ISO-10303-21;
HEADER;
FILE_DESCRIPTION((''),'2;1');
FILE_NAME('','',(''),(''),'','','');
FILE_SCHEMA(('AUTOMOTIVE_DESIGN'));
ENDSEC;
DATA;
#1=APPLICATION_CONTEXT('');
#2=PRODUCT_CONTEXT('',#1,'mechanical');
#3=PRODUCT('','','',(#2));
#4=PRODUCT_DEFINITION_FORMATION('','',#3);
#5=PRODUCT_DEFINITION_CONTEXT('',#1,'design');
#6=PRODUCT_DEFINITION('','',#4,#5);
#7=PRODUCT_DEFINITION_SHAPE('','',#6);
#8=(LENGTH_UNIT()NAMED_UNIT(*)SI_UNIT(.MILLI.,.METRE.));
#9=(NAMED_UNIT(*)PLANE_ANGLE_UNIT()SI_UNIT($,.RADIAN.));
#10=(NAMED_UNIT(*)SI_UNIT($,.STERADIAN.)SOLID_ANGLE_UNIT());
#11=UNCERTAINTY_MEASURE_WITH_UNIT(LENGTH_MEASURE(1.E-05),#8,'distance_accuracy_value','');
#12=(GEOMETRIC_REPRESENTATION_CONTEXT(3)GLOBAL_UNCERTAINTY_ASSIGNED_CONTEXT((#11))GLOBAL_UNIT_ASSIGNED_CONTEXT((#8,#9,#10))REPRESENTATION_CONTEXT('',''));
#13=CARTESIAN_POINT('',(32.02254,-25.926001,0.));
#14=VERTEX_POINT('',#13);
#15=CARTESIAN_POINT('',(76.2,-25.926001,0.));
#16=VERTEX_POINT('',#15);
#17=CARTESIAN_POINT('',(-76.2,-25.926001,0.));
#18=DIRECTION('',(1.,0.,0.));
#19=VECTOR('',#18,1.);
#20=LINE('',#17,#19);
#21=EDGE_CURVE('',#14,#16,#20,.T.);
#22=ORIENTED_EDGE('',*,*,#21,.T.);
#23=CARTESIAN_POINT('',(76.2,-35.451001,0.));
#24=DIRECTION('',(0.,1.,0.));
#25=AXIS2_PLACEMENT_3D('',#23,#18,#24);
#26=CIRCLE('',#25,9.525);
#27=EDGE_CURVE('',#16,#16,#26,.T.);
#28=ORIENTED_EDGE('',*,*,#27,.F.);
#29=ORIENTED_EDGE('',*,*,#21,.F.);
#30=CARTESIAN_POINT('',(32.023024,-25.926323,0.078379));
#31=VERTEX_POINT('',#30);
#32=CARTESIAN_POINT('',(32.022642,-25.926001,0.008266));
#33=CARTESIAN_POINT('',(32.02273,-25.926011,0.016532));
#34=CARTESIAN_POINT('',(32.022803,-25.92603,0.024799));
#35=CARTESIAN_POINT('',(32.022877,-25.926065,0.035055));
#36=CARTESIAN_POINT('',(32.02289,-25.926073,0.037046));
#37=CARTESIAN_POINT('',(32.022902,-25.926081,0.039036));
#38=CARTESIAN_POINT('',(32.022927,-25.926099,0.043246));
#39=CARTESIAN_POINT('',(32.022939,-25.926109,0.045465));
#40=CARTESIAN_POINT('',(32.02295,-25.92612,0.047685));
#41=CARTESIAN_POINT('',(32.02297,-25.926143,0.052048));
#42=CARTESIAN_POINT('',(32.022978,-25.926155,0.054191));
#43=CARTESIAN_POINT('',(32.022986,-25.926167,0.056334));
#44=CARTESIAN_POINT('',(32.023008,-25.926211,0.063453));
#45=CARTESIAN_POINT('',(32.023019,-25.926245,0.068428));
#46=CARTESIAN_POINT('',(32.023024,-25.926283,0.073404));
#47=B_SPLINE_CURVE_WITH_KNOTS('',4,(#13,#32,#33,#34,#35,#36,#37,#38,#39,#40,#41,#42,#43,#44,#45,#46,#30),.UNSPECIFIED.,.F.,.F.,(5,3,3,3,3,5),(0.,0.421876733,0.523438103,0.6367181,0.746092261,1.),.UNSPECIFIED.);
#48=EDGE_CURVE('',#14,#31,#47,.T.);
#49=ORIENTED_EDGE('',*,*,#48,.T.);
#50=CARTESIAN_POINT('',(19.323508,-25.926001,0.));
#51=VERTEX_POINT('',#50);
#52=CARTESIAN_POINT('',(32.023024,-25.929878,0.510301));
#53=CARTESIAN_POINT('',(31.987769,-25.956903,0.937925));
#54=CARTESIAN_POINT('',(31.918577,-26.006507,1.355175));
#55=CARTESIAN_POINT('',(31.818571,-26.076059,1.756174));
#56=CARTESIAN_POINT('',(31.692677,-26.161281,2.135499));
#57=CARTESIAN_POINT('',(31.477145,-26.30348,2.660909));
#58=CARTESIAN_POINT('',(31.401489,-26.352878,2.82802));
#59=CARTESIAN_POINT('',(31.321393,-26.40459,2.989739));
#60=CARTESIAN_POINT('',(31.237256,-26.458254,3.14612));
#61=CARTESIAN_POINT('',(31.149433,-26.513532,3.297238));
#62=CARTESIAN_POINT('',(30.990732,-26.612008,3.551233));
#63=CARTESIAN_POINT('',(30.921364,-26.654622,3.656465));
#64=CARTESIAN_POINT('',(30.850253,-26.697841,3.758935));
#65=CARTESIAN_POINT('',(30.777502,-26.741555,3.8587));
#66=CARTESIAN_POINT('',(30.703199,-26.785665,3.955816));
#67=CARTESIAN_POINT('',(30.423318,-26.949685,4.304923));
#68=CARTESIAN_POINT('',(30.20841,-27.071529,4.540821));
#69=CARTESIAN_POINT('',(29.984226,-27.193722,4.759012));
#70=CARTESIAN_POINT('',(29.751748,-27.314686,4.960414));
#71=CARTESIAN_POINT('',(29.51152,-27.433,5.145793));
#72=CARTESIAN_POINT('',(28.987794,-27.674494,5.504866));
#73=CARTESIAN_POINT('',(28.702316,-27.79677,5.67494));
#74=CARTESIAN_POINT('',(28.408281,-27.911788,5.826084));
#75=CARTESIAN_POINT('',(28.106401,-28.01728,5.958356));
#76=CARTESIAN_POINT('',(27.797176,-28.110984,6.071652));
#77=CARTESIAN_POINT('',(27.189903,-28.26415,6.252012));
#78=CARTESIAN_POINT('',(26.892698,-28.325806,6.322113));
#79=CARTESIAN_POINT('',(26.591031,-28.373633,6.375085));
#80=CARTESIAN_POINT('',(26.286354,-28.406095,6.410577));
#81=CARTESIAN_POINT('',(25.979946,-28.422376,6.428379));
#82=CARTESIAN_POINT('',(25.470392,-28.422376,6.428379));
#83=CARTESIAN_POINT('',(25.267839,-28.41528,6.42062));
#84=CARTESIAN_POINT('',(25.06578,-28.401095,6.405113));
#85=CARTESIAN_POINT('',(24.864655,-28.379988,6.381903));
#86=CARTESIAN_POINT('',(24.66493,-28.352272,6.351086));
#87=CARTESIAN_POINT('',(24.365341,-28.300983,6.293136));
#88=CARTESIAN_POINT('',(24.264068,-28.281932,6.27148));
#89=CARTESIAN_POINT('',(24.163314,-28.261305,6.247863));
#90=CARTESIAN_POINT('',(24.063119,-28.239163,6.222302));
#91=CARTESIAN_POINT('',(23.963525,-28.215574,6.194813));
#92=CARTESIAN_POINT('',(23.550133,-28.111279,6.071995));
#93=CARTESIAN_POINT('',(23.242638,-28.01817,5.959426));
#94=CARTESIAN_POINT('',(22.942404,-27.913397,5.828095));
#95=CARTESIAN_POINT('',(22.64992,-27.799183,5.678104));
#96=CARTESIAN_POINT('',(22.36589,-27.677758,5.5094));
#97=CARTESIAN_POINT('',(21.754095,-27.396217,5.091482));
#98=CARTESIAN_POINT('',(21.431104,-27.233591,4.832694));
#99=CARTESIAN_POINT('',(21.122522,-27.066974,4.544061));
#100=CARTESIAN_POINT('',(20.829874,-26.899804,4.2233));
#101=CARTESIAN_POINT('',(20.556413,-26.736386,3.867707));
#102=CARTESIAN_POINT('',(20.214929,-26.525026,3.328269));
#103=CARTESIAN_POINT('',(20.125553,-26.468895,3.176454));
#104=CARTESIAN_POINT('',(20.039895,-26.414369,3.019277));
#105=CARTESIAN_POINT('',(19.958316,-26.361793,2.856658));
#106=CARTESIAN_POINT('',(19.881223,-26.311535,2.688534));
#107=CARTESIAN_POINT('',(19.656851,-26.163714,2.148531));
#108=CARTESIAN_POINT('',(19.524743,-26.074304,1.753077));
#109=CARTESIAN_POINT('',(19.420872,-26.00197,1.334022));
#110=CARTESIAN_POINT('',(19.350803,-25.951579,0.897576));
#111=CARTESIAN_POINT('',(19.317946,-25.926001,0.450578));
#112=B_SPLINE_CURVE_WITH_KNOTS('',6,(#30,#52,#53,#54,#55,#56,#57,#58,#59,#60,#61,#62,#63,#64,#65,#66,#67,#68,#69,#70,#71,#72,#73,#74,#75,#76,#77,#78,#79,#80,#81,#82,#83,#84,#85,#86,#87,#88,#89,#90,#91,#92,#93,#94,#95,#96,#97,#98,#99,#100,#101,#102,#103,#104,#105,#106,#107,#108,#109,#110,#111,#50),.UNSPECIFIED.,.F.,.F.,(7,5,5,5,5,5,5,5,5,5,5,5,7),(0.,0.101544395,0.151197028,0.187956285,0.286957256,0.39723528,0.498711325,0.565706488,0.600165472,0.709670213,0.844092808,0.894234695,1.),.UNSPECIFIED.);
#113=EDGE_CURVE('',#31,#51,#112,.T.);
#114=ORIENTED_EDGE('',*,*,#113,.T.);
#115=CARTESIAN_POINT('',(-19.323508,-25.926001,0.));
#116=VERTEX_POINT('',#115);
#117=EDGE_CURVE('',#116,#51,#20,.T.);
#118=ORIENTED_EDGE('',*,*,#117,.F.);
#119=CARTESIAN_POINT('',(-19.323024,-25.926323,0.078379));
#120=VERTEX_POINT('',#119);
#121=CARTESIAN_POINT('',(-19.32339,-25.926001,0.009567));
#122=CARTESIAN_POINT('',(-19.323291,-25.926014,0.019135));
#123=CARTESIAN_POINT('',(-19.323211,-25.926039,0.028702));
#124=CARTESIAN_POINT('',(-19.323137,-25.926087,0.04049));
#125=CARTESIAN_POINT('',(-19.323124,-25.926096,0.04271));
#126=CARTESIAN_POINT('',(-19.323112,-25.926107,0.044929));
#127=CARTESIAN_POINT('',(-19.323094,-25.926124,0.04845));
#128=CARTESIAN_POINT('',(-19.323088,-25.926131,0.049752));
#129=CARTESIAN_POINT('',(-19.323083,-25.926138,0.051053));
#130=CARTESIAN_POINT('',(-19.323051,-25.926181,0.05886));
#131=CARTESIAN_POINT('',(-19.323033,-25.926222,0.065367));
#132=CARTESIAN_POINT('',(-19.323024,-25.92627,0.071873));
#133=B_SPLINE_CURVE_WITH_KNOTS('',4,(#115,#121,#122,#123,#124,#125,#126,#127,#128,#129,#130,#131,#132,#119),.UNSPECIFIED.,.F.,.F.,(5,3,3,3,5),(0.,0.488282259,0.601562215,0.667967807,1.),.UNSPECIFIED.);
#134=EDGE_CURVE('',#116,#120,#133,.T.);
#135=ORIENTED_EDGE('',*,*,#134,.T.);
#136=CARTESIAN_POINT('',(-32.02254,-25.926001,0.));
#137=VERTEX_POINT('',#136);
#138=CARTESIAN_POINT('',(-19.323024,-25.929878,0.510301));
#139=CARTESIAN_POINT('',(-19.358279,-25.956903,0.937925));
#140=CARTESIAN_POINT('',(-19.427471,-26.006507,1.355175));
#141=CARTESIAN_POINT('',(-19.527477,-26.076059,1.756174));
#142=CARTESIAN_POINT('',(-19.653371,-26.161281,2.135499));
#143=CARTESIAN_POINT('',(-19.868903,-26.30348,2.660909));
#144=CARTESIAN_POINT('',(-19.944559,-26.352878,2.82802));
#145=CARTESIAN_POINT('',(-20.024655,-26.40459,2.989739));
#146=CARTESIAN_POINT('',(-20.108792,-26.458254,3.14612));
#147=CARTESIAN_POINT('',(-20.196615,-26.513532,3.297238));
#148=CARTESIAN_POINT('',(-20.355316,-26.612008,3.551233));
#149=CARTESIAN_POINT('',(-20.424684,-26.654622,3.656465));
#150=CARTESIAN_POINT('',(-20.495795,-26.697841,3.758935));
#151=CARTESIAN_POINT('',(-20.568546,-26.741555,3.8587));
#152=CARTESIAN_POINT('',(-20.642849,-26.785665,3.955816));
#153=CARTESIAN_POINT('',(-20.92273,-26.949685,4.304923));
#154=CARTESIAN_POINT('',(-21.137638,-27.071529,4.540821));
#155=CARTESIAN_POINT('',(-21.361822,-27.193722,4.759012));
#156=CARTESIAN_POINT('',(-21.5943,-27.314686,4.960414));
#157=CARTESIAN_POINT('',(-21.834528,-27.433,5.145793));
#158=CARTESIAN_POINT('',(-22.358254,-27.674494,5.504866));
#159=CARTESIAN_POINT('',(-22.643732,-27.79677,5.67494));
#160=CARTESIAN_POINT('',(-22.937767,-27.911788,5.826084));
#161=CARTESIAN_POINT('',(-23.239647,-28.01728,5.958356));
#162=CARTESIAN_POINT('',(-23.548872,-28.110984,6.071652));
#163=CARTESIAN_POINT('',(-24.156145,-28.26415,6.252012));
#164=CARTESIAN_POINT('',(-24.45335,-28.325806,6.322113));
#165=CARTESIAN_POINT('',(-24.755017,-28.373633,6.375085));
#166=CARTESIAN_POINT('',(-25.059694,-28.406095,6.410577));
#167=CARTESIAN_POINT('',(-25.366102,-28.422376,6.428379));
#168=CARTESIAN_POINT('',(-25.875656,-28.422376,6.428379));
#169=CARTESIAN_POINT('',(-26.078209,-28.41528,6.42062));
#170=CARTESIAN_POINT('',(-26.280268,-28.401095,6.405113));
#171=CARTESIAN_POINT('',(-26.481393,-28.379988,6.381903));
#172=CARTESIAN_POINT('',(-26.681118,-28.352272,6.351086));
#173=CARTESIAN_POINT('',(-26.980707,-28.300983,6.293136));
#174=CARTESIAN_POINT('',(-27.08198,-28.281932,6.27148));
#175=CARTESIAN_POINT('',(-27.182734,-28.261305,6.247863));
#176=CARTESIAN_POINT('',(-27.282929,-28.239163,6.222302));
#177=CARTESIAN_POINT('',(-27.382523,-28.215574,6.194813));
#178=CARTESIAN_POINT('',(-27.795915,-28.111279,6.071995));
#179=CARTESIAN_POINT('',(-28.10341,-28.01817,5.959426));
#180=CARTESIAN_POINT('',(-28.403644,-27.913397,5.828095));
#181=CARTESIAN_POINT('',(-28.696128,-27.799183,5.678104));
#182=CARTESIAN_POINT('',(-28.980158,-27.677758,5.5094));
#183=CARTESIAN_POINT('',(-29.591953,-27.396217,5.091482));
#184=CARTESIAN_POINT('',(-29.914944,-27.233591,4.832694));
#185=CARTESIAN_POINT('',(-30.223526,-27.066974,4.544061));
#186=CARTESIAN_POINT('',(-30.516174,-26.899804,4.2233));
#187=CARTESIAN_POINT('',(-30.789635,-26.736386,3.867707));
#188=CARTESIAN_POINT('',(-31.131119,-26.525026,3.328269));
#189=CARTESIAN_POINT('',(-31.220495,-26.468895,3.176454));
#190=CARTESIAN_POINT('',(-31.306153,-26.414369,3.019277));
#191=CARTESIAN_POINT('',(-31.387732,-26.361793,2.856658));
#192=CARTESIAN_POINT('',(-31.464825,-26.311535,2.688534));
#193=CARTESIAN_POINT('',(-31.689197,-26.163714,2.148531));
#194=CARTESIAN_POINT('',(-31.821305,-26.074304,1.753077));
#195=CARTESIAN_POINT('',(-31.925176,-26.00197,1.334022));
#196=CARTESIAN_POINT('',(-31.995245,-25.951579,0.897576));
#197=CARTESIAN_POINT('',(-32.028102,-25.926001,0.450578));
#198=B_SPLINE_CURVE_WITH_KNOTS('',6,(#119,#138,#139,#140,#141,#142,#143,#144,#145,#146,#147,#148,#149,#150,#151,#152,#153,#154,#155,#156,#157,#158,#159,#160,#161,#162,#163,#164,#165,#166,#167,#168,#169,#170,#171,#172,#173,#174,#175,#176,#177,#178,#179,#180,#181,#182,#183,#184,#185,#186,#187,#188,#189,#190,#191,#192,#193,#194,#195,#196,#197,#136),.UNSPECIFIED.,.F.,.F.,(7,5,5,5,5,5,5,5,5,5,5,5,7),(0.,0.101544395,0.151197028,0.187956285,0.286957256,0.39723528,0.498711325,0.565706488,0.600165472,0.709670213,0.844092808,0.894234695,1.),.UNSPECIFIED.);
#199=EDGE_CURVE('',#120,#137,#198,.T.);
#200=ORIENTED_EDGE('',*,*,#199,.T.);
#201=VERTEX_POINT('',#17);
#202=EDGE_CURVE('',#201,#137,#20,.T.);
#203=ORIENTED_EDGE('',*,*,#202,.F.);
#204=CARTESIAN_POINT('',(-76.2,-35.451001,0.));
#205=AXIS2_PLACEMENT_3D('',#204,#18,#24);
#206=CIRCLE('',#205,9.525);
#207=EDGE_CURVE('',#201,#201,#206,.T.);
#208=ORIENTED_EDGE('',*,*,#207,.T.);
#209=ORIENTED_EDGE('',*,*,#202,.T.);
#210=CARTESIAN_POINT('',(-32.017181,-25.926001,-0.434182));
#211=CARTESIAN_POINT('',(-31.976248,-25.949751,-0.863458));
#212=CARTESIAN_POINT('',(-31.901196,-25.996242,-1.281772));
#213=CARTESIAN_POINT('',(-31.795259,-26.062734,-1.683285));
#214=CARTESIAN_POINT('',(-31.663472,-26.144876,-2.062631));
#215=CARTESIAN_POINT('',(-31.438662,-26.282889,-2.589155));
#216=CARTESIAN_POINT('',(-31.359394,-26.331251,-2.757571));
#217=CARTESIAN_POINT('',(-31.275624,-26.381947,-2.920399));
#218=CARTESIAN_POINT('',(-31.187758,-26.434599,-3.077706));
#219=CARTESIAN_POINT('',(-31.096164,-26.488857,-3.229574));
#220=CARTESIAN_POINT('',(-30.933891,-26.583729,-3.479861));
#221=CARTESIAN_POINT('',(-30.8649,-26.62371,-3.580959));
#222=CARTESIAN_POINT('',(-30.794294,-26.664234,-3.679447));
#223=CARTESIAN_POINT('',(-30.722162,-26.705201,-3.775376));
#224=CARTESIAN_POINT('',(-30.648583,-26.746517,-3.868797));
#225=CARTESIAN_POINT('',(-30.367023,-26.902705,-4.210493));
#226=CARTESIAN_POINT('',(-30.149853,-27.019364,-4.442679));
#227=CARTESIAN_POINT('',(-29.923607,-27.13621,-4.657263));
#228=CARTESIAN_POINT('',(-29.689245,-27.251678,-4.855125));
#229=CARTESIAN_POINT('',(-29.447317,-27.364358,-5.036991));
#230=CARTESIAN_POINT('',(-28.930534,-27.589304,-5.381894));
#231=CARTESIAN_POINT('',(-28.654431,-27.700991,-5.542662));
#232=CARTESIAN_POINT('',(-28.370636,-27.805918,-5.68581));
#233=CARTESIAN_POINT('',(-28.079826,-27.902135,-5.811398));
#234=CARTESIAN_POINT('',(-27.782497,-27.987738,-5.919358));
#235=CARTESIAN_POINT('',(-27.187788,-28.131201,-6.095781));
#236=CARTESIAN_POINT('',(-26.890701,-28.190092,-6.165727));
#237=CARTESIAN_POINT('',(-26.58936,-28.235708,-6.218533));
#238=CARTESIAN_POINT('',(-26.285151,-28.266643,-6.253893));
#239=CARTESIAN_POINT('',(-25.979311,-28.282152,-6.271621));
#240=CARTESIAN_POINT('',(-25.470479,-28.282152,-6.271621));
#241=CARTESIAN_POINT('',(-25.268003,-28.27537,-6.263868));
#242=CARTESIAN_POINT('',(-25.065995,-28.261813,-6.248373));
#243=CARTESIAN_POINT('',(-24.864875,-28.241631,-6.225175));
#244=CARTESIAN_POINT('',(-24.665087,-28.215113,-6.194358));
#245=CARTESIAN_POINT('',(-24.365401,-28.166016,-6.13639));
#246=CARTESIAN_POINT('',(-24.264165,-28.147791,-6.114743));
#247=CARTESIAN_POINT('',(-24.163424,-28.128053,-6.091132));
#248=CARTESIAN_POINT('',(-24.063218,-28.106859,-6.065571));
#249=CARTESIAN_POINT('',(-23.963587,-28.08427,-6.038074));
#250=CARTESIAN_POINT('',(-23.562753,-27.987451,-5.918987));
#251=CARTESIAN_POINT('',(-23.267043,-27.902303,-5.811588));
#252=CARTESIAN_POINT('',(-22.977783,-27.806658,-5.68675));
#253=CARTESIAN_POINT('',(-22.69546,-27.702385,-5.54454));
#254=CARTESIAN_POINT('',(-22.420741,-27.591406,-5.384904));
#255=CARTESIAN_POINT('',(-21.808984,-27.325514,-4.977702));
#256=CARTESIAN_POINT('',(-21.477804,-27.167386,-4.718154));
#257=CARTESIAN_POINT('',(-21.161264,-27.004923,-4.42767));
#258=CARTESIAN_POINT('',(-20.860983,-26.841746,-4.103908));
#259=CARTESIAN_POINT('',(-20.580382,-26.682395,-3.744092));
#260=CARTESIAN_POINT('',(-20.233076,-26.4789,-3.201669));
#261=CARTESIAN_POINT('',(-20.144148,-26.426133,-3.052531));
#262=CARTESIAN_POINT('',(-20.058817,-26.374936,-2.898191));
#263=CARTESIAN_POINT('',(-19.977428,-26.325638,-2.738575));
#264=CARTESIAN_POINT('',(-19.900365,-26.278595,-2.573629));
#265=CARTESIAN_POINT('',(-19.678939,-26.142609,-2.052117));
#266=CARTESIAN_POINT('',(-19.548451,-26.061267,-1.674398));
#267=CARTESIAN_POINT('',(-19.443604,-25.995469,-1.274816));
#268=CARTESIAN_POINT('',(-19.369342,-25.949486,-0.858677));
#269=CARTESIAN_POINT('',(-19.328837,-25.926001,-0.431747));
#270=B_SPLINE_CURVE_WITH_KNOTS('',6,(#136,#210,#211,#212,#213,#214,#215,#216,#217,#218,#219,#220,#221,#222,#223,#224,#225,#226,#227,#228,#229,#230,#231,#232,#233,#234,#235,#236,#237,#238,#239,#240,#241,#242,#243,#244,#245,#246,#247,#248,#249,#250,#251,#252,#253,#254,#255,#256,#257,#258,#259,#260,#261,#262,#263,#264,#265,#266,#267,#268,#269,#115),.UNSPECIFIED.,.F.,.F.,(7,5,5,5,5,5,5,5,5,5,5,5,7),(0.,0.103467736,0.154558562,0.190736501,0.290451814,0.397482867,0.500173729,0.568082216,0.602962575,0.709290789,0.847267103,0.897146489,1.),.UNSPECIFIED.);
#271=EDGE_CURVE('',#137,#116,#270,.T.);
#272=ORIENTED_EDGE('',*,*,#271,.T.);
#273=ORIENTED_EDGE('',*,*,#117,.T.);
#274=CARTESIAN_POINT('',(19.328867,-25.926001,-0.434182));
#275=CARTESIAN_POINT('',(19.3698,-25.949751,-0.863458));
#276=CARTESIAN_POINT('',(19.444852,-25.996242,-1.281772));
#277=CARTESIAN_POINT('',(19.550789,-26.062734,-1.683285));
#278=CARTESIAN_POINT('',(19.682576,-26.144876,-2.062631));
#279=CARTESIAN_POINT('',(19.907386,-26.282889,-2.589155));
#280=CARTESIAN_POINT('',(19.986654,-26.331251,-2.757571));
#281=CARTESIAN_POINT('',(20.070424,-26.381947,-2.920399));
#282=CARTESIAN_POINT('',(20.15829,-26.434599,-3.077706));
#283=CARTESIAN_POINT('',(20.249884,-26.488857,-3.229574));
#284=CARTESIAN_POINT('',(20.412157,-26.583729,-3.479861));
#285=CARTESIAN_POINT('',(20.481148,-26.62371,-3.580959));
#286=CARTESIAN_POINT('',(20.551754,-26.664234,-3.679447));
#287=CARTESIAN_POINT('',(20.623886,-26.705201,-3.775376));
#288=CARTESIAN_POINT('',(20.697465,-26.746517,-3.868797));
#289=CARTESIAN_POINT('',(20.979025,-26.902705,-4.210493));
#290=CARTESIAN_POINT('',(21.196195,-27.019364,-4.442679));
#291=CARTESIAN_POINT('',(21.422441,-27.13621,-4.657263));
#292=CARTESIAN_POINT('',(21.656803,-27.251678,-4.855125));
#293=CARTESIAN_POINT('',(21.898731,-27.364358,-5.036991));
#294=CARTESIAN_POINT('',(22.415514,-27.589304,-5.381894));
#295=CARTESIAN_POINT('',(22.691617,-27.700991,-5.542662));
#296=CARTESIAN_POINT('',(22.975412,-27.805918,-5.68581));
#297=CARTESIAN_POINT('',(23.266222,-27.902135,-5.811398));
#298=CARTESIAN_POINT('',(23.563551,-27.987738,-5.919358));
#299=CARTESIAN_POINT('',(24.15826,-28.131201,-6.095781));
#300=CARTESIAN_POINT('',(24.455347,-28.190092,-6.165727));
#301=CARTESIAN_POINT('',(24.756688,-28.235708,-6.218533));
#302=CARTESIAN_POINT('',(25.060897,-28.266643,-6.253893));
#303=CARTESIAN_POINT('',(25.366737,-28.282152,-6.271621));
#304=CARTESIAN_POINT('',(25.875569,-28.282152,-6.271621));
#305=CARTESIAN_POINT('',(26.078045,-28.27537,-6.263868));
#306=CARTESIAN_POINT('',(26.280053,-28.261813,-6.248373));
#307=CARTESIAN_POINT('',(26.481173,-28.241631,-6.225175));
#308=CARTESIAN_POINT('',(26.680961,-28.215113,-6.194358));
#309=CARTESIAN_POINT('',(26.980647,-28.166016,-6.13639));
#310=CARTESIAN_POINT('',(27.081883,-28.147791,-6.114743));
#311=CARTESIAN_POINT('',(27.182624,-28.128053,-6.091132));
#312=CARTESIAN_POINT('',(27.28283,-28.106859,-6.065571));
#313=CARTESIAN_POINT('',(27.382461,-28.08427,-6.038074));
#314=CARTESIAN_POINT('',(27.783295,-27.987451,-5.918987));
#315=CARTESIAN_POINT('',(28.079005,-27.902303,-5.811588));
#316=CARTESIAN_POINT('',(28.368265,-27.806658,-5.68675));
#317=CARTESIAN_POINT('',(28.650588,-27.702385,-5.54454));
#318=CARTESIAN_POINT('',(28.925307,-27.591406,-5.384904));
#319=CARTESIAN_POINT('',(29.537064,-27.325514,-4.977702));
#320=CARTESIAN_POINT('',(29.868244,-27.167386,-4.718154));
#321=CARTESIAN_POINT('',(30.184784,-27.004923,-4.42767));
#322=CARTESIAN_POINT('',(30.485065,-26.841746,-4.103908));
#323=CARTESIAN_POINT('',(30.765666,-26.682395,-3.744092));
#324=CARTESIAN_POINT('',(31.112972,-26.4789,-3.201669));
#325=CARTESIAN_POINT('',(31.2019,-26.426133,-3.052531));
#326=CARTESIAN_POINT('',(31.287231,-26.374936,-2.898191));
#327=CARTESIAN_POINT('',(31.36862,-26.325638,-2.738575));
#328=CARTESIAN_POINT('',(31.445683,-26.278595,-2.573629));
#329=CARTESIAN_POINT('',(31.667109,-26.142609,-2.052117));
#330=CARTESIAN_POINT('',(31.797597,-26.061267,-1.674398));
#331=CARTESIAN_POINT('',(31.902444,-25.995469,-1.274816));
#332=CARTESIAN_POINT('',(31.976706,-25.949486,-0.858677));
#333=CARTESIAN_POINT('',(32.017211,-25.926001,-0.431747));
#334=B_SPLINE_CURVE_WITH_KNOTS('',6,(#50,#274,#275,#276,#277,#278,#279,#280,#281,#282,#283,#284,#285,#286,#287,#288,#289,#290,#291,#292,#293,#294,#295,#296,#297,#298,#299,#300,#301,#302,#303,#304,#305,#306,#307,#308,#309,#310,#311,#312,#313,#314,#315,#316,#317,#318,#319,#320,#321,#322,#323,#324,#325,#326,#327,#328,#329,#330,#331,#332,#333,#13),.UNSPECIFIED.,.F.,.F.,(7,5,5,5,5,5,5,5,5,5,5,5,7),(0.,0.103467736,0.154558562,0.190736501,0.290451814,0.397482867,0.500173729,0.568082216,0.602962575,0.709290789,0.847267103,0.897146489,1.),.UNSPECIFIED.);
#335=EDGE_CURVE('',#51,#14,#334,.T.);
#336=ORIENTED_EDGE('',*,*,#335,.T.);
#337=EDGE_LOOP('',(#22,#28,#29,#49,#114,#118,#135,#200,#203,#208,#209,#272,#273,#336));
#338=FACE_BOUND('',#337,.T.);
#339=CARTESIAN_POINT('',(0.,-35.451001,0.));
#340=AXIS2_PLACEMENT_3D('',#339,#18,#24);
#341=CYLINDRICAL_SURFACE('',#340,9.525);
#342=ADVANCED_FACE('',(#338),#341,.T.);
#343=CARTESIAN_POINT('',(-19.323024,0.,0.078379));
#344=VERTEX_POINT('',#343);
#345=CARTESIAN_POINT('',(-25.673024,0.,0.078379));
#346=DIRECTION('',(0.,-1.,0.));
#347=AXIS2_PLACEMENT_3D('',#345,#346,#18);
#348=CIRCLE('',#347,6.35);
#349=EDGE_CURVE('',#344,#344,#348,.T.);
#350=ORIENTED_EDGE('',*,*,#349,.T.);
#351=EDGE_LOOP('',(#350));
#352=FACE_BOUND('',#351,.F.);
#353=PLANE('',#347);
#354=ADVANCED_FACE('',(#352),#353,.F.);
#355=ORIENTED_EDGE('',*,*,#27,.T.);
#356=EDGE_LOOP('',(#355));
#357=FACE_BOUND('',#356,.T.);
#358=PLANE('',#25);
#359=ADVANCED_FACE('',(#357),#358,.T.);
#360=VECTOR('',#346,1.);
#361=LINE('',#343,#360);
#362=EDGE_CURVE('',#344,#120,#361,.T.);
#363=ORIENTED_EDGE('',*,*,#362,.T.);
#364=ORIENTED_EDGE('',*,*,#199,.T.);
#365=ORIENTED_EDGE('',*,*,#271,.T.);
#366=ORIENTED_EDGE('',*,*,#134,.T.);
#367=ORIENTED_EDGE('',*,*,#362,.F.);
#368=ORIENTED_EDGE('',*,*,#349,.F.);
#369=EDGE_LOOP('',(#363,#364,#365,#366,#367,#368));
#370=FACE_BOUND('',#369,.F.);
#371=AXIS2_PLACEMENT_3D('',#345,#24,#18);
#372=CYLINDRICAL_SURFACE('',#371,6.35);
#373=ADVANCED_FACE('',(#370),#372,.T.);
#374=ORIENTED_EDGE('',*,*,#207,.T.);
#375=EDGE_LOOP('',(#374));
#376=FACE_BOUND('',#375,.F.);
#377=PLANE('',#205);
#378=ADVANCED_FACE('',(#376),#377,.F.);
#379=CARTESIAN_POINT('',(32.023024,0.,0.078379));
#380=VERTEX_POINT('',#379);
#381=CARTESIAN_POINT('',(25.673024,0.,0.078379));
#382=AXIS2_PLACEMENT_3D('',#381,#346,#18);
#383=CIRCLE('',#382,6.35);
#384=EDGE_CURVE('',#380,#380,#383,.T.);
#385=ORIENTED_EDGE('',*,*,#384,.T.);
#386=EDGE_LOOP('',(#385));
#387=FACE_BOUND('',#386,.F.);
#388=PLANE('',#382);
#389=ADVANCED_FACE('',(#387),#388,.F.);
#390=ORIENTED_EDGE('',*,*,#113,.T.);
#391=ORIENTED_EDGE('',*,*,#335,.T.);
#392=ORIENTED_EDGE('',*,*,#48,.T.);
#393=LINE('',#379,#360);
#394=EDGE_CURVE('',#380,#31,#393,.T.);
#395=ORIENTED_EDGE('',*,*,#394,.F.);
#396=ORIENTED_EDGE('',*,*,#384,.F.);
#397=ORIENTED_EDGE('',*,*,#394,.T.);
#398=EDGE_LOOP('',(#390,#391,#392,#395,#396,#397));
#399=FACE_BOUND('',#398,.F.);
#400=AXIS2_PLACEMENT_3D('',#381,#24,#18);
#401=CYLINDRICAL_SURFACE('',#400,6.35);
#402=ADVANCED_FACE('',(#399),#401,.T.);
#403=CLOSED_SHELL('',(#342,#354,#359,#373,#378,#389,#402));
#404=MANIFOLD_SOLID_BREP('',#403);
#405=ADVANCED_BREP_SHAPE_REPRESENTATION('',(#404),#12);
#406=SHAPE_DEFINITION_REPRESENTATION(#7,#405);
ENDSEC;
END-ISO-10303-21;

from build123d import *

# Parameters (mm, degrees)
F1_R     = 9.525
F2_DEPTH = 76.2
F0_R     = 6.35
F3_DEPTH = 32.38043


with BuildPart() as f2:
    # F1 (on Right) → F2 (new body, symmetric)
    with BuildSketch(Plane.YZ):
        with Locations((-35.451001, 0)):
            Circle(F1_R)
    extrude(amount=F2_DEPTH, both=True)

    # F0 (on Front) → F3 (join)
    with BuildSketch(Plane.XZ):
        with Locations((-25.673024, 0.078379)):
            Circle(F0_R)
        with Locations((25.673024, 0.078379)):
            Circle(F0_R)
    extrude(amount=F3_DEPTH)


solid = f2.part
